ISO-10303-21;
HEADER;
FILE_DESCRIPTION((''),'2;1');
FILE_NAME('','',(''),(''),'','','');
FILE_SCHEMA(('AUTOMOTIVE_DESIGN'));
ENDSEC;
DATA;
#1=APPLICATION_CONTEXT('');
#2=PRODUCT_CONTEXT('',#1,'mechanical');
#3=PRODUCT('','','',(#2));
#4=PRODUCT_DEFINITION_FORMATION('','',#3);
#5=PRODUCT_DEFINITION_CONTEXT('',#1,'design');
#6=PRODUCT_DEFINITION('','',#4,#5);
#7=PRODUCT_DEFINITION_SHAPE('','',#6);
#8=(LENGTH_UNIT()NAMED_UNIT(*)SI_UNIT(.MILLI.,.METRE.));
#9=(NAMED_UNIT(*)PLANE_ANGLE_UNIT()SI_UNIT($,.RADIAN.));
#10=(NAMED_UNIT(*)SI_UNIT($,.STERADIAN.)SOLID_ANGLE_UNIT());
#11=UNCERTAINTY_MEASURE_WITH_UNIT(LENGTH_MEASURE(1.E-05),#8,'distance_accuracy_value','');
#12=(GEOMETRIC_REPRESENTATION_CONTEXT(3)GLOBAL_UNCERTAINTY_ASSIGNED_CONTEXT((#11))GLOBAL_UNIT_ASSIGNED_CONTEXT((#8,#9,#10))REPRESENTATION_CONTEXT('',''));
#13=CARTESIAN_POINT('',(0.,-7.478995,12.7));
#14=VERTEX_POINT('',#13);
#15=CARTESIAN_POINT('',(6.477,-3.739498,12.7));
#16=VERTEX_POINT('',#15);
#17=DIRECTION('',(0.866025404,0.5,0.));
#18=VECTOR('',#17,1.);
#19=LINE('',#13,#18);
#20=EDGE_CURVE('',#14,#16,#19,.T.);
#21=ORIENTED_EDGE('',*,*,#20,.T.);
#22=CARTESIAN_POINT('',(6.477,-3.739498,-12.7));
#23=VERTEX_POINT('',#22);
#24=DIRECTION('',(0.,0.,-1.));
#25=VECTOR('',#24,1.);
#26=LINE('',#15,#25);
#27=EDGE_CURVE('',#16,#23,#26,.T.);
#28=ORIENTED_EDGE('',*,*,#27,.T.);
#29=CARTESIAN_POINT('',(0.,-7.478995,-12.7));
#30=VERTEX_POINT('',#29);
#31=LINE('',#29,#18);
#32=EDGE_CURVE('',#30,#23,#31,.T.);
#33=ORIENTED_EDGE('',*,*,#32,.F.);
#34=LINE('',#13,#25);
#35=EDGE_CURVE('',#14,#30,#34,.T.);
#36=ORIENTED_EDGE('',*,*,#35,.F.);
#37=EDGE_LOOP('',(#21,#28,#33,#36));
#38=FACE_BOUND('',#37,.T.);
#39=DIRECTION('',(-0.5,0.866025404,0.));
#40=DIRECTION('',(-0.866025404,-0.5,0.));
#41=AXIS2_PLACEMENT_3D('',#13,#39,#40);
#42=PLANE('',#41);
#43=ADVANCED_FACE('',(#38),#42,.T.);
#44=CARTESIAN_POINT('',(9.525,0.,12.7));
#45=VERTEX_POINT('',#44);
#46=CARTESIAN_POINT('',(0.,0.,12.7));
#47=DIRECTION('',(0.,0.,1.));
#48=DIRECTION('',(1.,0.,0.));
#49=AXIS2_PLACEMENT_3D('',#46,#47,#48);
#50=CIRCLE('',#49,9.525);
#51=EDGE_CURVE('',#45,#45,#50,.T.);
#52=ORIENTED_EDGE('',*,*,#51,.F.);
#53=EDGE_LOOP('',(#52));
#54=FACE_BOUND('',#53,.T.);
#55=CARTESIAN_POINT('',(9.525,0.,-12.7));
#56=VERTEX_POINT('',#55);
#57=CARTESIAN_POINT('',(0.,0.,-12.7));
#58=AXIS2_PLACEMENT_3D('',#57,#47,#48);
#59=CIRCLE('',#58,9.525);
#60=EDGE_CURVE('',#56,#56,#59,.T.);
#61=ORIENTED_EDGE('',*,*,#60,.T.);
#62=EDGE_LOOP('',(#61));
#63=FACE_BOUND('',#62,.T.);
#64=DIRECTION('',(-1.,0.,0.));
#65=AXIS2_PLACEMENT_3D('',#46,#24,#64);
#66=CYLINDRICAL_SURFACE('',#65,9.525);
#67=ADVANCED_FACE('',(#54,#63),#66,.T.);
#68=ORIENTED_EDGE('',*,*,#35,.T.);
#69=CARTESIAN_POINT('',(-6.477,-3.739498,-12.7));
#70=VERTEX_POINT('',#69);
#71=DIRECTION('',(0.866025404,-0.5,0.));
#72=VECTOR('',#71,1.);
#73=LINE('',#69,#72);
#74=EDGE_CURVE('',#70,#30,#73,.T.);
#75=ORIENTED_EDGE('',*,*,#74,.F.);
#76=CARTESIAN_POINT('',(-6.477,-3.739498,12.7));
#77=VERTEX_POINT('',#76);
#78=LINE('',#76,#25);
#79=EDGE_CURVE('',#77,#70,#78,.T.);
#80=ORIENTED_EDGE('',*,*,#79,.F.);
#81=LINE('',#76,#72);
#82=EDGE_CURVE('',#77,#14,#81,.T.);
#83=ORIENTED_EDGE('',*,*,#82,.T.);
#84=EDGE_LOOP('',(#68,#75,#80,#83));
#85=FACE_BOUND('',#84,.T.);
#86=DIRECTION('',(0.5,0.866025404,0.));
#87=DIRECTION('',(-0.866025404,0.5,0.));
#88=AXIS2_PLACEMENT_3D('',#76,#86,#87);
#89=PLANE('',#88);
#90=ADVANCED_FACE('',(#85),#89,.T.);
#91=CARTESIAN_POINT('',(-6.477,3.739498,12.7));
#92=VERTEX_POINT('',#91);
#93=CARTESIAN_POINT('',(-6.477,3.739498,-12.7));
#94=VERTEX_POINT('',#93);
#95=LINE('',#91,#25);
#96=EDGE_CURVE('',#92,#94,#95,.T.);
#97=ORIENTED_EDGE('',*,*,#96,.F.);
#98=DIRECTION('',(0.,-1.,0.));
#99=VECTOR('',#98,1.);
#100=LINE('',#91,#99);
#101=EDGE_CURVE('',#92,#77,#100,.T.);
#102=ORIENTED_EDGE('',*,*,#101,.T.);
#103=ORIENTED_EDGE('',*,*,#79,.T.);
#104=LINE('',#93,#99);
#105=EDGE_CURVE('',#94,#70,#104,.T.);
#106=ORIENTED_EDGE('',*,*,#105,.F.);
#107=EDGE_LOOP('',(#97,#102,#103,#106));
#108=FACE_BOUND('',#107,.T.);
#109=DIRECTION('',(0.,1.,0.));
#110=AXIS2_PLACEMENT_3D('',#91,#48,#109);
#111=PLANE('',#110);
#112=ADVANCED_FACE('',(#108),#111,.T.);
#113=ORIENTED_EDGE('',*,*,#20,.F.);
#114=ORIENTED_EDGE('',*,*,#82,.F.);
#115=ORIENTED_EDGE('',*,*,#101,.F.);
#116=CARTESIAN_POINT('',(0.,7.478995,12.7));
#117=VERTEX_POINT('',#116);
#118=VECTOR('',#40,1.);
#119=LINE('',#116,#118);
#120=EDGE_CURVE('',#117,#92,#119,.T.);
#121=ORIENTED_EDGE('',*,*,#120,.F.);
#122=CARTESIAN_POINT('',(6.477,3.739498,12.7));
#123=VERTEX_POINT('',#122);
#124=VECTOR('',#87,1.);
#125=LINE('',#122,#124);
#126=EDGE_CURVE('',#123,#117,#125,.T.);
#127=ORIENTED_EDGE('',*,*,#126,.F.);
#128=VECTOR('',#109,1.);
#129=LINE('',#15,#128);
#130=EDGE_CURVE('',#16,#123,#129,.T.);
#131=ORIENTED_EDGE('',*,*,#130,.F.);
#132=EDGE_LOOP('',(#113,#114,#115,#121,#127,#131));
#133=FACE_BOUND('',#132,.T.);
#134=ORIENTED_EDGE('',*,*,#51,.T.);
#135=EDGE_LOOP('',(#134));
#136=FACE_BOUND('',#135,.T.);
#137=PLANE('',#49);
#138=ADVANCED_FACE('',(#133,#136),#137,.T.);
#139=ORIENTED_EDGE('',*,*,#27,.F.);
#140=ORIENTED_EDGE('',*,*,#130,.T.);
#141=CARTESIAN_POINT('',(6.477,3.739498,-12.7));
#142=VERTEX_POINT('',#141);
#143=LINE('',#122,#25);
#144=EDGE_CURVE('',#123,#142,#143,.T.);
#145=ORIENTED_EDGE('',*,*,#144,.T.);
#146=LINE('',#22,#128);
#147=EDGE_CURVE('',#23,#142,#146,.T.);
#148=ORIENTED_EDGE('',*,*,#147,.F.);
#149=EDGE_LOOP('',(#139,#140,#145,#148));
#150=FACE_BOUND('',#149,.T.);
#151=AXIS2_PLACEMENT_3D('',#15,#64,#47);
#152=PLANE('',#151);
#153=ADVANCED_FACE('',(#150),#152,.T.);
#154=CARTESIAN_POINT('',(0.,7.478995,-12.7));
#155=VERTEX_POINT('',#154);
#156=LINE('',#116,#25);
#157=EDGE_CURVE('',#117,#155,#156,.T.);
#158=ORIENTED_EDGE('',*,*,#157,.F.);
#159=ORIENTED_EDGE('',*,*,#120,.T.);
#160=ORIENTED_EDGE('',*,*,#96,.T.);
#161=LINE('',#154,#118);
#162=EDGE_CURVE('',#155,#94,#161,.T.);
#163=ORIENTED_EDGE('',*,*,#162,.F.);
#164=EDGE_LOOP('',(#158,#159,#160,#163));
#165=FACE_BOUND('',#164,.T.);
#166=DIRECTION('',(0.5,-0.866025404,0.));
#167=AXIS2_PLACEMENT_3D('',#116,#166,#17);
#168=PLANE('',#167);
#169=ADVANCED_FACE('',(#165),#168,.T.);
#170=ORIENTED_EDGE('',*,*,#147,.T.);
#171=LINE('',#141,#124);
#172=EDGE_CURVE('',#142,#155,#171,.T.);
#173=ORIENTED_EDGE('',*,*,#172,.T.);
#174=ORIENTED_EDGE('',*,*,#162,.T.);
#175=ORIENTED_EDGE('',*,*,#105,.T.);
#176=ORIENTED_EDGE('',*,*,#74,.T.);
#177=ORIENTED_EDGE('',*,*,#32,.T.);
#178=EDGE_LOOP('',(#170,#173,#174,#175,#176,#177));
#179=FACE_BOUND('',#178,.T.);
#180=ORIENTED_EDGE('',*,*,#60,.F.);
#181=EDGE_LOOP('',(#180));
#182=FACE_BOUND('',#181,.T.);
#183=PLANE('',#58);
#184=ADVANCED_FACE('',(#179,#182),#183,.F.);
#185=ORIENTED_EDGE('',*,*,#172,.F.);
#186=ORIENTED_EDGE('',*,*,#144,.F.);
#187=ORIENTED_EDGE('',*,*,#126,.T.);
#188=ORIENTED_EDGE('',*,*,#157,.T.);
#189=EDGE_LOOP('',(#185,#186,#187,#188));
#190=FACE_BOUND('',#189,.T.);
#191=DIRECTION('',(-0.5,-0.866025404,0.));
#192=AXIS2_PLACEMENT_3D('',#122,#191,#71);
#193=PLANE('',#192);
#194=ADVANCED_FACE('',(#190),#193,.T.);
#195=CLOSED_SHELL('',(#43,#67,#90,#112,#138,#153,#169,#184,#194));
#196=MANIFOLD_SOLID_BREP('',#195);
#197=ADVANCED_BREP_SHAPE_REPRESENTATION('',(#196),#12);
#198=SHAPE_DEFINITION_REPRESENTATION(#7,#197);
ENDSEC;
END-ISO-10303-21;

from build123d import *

# Parameters (mm, degrees)
SKETCH1_R           = 9.525
BOSS_EXTRUDE1_DEPTH = 12.7


with BuildPart() as part:
    # Sketch1 → Boss-Extrude1 (new, symmetric)
    with BuildSketch(Plane.XY):
        Circle(SKETCH1_R)
        Polygon((0, 7.478995387), (-6.477, 3.739497694), (-6.477, -3.739497694), (0, -7.478995387), (6.477, -3.739497694), (6.477, 3.739497694), align=None, mode=Mode.SUBTRACT)
    extrude(amount=BOSS_EXTRUDE1_DEPTH, both=True)


solid = part.part
